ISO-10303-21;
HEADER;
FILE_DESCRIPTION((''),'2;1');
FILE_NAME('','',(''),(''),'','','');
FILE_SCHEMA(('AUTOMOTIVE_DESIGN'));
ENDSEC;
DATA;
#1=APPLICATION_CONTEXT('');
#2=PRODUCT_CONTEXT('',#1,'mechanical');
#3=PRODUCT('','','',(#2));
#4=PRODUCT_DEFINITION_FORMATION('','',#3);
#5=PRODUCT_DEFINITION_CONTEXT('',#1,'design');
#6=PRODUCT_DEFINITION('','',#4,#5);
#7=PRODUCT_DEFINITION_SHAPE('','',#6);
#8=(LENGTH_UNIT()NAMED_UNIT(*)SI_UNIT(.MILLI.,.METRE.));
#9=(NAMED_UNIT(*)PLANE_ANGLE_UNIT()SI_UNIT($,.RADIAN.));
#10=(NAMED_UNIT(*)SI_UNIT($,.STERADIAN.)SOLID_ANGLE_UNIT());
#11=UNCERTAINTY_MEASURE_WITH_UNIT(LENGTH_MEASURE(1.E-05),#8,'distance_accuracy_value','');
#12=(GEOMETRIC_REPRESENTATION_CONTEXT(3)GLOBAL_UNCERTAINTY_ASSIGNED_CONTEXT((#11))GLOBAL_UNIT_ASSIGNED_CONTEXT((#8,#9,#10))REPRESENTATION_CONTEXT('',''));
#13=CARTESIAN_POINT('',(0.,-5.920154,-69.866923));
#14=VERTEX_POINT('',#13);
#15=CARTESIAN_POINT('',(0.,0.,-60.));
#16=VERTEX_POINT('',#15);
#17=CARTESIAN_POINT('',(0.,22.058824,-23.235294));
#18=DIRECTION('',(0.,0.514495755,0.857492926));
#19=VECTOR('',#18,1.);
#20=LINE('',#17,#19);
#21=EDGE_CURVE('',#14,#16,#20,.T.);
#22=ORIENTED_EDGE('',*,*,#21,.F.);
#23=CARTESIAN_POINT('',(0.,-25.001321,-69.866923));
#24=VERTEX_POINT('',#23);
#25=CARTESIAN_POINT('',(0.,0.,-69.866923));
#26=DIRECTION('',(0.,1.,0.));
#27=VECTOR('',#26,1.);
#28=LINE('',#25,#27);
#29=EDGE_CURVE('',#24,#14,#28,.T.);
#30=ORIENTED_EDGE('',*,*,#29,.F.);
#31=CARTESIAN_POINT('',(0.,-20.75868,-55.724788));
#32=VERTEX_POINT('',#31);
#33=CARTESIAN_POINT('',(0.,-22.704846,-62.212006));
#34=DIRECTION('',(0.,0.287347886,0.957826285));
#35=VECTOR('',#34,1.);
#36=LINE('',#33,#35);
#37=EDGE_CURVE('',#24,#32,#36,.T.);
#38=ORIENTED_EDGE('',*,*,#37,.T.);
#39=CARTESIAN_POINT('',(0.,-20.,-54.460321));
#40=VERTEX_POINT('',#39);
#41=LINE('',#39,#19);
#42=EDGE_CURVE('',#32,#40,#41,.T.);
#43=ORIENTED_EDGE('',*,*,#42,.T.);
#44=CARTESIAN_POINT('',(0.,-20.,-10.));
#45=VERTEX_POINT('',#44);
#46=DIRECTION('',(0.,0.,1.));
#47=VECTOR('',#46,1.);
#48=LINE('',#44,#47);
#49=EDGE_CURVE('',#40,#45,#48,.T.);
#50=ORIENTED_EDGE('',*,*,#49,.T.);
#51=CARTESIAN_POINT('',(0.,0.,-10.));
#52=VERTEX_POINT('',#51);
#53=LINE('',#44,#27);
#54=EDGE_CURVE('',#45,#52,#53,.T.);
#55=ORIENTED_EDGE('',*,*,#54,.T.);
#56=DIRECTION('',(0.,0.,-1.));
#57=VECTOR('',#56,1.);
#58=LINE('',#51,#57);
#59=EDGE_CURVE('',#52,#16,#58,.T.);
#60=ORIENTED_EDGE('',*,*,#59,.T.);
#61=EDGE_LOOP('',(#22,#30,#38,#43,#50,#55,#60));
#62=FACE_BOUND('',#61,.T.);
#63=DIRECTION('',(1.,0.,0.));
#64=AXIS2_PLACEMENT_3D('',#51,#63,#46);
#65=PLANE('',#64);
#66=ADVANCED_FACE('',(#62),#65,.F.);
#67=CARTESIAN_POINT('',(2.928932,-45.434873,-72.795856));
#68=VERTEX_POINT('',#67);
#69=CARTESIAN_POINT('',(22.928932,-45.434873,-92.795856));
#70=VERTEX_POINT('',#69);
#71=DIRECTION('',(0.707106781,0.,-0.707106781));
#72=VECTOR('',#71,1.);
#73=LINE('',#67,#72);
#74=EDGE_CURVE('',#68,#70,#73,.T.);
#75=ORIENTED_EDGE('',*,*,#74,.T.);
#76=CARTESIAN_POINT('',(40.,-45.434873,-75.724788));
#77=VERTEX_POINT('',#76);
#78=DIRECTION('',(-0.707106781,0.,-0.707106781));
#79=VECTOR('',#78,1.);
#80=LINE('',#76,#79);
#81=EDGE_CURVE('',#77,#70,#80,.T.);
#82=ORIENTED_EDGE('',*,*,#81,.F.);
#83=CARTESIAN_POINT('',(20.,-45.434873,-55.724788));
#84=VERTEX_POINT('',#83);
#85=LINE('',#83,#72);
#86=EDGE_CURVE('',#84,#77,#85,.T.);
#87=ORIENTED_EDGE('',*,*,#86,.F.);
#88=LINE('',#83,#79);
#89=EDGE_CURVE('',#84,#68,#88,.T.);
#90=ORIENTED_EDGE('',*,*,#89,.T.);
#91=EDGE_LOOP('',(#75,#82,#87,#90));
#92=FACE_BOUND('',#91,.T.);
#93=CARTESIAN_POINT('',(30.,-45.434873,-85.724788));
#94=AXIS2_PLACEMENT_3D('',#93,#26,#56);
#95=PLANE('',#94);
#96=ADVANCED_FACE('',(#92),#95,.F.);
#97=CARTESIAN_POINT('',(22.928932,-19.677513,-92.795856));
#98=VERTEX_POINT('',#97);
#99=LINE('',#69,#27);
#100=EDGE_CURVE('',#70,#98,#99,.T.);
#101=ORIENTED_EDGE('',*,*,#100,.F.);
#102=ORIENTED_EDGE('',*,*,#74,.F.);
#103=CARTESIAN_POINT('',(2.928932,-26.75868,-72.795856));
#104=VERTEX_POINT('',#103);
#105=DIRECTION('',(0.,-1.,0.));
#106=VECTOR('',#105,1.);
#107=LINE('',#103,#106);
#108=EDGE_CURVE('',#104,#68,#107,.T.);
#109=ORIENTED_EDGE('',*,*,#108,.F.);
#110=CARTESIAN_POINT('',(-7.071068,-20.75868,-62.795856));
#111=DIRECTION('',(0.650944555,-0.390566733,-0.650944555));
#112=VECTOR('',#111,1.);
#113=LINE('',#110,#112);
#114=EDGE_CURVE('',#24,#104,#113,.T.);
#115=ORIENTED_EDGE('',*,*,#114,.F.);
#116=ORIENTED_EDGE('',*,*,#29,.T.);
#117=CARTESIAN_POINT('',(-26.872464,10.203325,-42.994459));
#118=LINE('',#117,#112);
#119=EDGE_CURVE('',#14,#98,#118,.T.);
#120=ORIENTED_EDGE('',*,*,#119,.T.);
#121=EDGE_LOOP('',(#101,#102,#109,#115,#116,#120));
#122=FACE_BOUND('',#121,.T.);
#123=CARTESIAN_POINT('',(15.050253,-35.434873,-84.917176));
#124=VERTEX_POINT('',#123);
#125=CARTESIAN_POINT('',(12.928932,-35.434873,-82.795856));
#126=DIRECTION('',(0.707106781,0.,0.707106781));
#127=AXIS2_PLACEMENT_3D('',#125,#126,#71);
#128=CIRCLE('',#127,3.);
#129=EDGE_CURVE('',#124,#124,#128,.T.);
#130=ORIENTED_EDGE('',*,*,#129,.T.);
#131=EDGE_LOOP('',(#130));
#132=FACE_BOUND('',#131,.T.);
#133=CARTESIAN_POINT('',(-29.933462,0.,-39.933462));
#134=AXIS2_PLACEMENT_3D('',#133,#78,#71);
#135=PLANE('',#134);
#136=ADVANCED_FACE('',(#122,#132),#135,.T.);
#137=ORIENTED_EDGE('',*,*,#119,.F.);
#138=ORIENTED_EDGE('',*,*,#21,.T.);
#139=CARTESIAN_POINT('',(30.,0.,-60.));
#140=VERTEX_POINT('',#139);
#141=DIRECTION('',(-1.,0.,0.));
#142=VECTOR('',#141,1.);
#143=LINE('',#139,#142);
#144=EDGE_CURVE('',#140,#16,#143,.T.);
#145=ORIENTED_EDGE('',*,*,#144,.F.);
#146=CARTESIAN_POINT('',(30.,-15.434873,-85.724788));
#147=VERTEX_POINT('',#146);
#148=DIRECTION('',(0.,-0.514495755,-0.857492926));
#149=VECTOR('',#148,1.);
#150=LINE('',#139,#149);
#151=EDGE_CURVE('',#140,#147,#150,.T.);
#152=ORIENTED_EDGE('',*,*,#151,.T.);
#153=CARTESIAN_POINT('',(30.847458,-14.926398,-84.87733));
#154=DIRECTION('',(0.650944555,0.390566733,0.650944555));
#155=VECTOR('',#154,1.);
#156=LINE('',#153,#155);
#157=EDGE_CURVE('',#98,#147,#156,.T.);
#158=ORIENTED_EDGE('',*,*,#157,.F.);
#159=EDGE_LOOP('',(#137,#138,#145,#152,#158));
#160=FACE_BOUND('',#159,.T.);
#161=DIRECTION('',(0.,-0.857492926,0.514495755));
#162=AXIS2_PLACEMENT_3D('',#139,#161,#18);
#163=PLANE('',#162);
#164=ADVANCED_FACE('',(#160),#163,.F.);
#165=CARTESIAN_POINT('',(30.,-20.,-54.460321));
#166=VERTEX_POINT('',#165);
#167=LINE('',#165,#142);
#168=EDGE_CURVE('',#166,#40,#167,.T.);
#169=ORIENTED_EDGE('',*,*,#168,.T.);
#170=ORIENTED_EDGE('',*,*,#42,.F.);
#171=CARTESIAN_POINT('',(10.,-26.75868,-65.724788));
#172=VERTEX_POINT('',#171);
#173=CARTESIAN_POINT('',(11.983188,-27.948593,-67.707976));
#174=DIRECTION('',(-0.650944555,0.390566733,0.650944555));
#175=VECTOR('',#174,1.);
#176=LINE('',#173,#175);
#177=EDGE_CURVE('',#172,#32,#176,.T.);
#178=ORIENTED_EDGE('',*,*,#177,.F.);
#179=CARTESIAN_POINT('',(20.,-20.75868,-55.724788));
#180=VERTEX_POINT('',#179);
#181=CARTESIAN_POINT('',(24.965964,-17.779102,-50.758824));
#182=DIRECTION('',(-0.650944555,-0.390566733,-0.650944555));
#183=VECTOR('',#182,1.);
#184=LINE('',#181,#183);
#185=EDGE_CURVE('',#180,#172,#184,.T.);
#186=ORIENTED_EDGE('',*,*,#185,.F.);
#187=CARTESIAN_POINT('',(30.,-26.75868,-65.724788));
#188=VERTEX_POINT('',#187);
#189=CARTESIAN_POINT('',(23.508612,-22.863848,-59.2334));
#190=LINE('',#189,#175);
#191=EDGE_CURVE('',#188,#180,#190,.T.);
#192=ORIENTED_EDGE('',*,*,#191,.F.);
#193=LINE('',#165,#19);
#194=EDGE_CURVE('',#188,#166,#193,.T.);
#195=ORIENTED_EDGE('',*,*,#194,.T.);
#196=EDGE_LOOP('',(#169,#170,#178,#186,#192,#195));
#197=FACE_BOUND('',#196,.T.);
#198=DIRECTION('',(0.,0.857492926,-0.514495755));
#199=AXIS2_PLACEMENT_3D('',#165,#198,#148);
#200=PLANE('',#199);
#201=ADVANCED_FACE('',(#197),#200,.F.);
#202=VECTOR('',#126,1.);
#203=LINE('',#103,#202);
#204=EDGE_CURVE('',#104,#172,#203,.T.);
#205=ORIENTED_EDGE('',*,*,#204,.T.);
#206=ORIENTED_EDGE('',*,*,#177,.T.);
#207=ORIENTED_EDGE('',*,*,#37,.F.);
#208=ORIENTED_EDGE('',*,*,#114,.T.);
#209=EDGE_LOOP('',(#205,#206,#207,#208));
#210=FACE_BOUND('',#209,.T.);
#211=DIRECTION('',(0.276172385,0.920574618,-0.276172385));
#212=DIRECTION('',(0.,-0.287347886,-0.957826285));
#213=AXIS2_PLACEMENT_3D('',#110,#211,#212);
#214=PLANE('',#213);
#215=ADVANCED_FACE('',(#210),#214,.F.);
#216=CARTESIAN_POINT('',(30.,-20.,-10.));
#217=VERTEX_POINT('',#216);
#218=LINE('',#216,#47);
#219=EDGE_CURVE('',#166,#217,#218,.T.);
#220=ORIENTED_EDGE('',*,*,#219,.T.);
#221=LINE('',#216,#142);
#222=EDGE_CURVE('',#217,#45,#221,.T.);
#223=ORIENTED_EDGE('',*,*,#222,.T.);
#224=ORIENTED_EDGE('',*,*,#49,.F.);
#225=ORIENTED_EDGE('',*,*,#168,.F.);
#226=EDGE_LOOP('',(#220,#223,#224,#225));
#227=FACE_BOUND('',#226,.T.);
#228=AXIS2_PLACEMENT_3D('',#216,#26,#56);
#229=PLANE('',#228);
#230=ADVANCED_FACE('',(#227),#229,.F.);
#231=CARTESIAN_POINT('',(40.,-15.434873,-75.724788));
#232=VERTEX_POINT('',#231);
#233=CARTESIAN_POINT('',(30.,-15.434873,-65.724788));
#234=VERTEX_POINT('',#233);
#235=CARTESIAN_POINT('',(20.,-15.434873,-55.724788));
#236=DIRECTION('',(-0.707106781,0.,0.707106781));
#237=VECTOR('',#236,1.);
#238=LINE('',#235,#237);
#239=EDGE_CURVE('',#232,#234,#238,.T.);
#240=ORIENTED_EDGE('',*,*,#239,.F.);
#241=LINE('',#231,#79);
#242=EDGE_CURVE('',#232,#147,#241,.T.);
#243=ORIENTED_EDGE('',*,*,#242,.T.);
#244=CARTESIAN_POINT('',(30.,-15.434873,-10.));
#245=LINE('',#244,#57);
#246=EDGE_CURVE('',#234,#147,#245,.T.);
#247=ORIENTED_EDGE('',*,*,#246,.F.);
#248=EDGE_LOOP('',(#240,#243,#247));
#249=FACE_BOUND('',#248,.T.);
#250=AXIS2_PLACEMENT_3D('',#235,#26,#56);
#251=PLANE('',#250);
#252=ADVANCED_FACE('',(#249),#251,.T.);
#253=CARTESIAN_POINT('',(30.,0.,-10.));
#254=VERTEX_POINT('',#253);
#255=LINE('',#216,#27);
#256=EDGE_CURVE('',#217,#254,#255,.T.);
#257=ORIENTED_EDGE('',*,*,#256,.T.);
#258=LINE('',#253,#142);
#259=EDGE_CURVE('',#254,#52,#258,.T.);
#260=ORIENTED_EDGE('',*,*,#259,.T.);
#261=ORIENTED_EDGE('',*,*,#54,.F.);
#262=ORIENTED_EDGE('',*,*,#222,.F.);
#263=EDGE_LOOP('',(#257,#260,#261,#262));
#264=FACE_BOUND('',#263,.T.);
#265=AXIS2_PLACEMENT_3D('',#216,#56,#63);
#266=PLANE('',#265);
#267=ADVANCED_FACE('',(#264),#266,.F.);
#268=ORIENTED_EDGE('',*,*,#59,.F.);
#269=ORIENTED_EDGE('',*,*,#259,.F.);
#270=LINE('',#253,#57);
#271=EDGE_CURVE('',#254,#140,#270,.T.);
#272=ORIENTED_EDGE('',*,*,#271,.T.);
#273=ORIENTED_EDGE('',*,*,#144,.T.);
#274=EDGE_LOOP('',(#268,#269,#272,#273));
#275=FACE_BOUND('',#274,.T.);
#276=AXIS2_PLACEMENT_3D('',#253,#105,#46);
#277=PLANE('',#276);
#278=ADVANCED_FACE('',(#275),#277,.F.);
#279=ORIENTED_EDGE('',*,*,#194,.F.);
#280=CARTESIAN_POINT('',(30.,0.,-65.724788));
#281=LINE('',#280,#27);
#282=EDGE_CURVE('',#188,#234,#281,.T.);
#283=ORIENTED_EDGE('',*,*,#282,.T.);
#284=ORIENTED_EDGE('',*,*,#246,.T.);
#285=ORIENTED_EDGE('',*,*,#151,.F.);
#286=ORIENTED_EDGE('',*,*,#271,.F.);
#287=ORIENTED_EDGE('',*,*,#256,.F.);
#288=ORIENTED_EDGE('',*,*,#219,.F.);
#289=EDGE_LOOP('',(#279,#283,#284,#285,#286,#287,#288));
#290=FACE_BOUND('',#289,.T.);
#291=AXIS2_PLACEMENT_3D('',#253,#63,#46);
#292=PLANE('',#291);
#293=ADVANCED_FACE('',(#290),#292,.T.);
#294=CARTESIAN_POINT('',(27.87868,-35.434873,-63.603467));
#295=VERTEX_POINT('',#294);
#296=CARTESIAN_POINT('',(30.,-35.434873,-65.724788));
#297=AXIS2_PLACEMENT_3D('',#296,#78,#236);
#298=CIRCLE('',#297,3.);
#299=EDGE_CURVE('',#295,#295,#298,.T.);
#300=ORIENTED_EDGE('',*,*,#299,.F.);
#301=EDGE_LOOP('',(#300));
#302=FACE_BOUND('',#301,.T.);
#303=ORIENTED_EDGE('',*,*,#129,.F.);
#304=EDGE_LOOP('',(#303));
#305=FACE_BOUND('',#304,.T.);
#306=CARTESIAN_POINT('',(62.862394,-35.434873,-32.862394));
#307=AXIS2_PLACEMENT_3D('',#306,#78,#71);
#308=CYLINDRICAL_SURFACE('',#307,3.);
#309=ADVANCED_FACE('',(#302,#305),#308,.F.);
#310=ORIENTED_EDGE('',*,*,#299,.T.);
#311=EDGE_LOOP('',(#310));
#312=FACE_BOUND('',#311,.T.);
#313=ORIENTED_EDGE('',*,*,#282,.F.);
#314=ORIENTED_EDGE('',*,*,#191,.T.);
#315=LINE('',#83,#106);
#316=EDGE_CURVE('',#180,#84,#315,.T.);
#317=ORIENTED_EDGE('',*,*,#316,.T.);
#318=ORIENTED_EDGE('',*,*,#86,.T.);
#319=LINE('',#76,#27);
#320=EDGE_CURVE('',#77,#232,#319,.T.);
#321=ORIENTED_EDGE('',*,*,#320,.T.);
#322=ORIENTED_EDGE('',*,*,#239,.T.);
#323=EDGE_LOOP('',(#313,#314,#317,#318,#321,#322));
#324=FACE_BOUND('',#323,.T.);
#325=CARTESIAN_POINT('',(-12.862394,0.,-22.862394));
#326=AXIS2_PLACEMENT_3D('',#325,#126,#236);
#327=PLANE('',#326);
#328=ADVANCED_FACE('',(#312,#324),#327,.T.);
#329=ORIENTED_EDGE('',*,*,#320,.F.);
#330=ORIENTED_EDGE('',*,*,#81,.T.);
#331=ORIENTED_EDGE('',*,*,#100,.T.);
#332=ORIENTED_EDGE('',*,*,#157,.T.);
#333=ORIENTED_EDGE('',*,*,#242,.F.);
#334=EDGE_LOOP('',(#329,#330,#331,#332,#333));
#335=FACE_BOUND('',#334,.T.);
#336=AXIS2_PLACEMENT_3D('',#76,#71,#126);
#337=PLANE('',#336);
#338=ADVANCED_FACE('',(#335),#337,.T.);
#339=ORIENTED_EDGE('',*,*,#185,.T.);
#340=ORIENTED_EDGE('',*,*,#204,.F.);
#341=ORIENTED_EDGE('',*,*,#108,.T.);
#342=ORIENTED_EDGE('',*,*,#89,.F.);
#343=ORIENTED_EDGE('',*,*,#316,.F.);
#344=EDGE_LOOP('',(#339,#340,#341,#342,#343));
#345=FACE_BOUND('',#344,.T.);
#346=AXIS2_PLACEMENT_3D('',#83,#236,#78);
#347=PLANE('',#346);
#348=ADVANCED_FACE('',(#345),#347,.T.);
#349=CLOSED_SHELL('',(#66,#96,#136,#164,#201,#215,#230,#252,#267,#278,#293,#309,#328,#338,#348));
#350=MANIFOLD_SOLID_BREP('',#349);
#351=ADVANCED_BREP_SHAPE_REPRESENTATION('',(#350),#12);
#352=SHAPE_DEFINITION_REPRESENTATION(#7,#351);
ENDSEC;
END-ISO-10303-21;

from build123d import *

# Parameters (mm, degrees)
SALIENTE_EXTRUIR2_DEPTH    = 30
CROQUIS3_W                 = 60.629420227
CROQUIS3_H                 = 60.965705304
CORTAR_EXTRUIR1_DEPTH      = 30
CROQUIS4_R                 = 3
CORTAR_EXTRUIR2_DEPTH      = 88.482529848
CROQUIS5_W                 = 28.284271248
CROQUIS5_H                 = 30
SALIENTE_EXTRUIR3_DEPTH    = 14.142136
SALIENTE_EXTRUIR4_DEPTH    = 10
CROQUIS7_W                 = 23.581736244
CROQUIS7_H                 = 30.206171788
CORTAR_EXTRUIR3_DEPTH      = 60
CROQUIS8_R                 = 3
CORTAR_EXTRUIR4_DEPTH      = 99.7393004
CROQUIS10_W                = 79.072347139
CROQUIS10_H                = 56.401254602
CORTAR_EXTRUIR5_DEPTH      = 50
CORTAR_EXTRUIR6_DEPTH      = 66
CORTAR_EXTRUIR6_DEPTH_BACK = 97
CROQUIS11_W                = 135.934764717
CROQUIS11_H                = 98.230231438


with BuildPart() as part:
    # Croquis2 → Saliente-Extruir2 (new body)
    with BuildSketch(Plane(origin=(0, 0, 0), x_dir=(0, 0, -1), z_dir=(1, 0, 0))):
        Polygon((0, 0), (-50, 0), (-75.724787771, -15.434872663), (-75.724787771, -45.434872663), (-55.724787771, -45.434872663), (-55.724787771, -26.758680242), (-44.460320701, -20), (0, -20), align=None)
    extrude(amount=SALIENTE_EXTRUIR2_DEPTH)

    # Croquis3 → Cortar-Extruir1 (cut)
    with BuildSketch(Plane(origin=(-22.862393886, 0, 22.862393886), x_dir=(0.7071067811865462, 0, 0.7071067811865488), z_dir=(-0.7071067811865488, 0, 0.7071067811865462))):
        with Locations((51.516510193, -19.86952732)):
            Rectangle(CROQUIS3_W, CROQUIS3_H)
    extrude(amount=CORTAR_EXTRUIR1_DEPTH, mode=Mode.SUBTRACT)

    # Croquis4 → Cortar-Extruir2 (cut, through all)
    with BuildSketch(Plane(origin=(-22.862393886, 0, 22.862393886), x_dir=(0.7071067811865461, 0, 0.7071067811865489), z_dir=(-0.7071067811865489, 0, 0.7071067811865461))):
        with Locations((60.616578749, -34.226076292)):
            Circle(CROQUIS4_R)
    extrude(amount=-CORTAR_EXTRUIR2_DEPTH, mode=Mode.SUBTRACT)

    # Croquis5 → Saliente-Extruir3 (add)
    with BuildSketch(Plane(origin=(-22.862393886, 0, 22.862393886), x_dir=(0.7071067811865461, 0, 0.7071067811865489), z_dir=(-0.7071067811865489, 0, 0.7071067811865461))):
        with Locations((60.616578749, -30.434872663)):
            Rectangle(CROQUIS5_W, CROQUIS5_H)
    extrude(amount=-SALIENTE_EXTRUIR3_DEPTH)

    # Croquis6 → Saliente-Extruir4 (add)
    with BuildSketch(Plane(origin=(-22.862393886, 0, 22.862393886), x_dir=(0.7071067811865461, 0, 0.7071067811865489), z_dir=(-0.7071067811865489, 0, 0.7071067811865461))):
        Polygon((32.332307501, -20.758680242), (46.474443125, -26.758680242), (46.474443125, -45.434872663), (74.758714373, -45.434872663), (74.758714373, -15.434872663), (38.378370617, 0), (32.332307501, 0), align=None)
    extrude(amount=SALIENTE_EXTRUIR4_DEPTH)

    # Croquis7 → Cortar-Extruir3 (cut)
    with BuildSketch(Plane(origin=(0, 0, 0), x_dir=(1, 0, 0), z_dir=(0, 1, 0))):
        with Locations((-11.790868122, -58.05803285)):
            Rectangle(CROQUIS7_W, CROQUIS7_H)
    extrude(amount=-CORTAR_EXTRUIR3_DEPTH, mode=Mode.SUBTRACT)

    # Croquis8 → Cortar-Extruir4 (cut, through all)
    with BuildSketch(Plane(origin=(-29.933461698, 0, 29.933461698), x_dir=(0.707106781186546, 0, 0.7071067811865491), z_dir=(-0.7071067811865491, 0, 0.707106781186546))):
        with Locations((60.616578749, -35.434872663)):
            Circle(CROQUIS8_R)
    extrude(amount=-CORTAR_EXTRUIR4_DEPTH, mode=Mode.SUBTRACT)

    # Croquis10 → Cortar-Extruir5 (cut)
    with BuildSketch(Plane(origin=(0, 22.058823529, 13.235294118), x_dir=(1, 0, 0), z_dir=(0, 0.8574929257125444, 0.5144957554275262))):
        with Locations((7.523719949, -68.590647859)):
            Rectangle(CROQUIS10_W, CROQUIS10_H)
    extrude(amount=CORTAR_EXTRUIR5_DEPTH, mode=Mode.SUBTRACT)


with BuildPart() as body_2:
    # Simetría3: mirrored copy
    add(part.part.mirror(Plane(origin=(0, 0, -5), x_dir=(1, 0, 0), z_dir=(0, 0, -1))))


with BuildPart() as part_1:
    add(part.part)

    # Croquis11 → Cortar-Extruir6 (cut, two sides: drawn at the far end of the back side and taken through both)
    with BuildSketch(Plane.XZ.offset(20).offset(-CORTAR_EXTRUIR6_DEPTH_BACK)):
        with Locations((20.973016289, 43.122891159)):
            Rectangle(CROQUIS11_W, CROQUIS11_H)
    extrude(amount=CORTAR_EXTRUIR6_DEPTH + CORTAR_EXTRUIR6_DEPTH_BACK, mode=Mode.SUBTRACT)


solid = body_2.part
